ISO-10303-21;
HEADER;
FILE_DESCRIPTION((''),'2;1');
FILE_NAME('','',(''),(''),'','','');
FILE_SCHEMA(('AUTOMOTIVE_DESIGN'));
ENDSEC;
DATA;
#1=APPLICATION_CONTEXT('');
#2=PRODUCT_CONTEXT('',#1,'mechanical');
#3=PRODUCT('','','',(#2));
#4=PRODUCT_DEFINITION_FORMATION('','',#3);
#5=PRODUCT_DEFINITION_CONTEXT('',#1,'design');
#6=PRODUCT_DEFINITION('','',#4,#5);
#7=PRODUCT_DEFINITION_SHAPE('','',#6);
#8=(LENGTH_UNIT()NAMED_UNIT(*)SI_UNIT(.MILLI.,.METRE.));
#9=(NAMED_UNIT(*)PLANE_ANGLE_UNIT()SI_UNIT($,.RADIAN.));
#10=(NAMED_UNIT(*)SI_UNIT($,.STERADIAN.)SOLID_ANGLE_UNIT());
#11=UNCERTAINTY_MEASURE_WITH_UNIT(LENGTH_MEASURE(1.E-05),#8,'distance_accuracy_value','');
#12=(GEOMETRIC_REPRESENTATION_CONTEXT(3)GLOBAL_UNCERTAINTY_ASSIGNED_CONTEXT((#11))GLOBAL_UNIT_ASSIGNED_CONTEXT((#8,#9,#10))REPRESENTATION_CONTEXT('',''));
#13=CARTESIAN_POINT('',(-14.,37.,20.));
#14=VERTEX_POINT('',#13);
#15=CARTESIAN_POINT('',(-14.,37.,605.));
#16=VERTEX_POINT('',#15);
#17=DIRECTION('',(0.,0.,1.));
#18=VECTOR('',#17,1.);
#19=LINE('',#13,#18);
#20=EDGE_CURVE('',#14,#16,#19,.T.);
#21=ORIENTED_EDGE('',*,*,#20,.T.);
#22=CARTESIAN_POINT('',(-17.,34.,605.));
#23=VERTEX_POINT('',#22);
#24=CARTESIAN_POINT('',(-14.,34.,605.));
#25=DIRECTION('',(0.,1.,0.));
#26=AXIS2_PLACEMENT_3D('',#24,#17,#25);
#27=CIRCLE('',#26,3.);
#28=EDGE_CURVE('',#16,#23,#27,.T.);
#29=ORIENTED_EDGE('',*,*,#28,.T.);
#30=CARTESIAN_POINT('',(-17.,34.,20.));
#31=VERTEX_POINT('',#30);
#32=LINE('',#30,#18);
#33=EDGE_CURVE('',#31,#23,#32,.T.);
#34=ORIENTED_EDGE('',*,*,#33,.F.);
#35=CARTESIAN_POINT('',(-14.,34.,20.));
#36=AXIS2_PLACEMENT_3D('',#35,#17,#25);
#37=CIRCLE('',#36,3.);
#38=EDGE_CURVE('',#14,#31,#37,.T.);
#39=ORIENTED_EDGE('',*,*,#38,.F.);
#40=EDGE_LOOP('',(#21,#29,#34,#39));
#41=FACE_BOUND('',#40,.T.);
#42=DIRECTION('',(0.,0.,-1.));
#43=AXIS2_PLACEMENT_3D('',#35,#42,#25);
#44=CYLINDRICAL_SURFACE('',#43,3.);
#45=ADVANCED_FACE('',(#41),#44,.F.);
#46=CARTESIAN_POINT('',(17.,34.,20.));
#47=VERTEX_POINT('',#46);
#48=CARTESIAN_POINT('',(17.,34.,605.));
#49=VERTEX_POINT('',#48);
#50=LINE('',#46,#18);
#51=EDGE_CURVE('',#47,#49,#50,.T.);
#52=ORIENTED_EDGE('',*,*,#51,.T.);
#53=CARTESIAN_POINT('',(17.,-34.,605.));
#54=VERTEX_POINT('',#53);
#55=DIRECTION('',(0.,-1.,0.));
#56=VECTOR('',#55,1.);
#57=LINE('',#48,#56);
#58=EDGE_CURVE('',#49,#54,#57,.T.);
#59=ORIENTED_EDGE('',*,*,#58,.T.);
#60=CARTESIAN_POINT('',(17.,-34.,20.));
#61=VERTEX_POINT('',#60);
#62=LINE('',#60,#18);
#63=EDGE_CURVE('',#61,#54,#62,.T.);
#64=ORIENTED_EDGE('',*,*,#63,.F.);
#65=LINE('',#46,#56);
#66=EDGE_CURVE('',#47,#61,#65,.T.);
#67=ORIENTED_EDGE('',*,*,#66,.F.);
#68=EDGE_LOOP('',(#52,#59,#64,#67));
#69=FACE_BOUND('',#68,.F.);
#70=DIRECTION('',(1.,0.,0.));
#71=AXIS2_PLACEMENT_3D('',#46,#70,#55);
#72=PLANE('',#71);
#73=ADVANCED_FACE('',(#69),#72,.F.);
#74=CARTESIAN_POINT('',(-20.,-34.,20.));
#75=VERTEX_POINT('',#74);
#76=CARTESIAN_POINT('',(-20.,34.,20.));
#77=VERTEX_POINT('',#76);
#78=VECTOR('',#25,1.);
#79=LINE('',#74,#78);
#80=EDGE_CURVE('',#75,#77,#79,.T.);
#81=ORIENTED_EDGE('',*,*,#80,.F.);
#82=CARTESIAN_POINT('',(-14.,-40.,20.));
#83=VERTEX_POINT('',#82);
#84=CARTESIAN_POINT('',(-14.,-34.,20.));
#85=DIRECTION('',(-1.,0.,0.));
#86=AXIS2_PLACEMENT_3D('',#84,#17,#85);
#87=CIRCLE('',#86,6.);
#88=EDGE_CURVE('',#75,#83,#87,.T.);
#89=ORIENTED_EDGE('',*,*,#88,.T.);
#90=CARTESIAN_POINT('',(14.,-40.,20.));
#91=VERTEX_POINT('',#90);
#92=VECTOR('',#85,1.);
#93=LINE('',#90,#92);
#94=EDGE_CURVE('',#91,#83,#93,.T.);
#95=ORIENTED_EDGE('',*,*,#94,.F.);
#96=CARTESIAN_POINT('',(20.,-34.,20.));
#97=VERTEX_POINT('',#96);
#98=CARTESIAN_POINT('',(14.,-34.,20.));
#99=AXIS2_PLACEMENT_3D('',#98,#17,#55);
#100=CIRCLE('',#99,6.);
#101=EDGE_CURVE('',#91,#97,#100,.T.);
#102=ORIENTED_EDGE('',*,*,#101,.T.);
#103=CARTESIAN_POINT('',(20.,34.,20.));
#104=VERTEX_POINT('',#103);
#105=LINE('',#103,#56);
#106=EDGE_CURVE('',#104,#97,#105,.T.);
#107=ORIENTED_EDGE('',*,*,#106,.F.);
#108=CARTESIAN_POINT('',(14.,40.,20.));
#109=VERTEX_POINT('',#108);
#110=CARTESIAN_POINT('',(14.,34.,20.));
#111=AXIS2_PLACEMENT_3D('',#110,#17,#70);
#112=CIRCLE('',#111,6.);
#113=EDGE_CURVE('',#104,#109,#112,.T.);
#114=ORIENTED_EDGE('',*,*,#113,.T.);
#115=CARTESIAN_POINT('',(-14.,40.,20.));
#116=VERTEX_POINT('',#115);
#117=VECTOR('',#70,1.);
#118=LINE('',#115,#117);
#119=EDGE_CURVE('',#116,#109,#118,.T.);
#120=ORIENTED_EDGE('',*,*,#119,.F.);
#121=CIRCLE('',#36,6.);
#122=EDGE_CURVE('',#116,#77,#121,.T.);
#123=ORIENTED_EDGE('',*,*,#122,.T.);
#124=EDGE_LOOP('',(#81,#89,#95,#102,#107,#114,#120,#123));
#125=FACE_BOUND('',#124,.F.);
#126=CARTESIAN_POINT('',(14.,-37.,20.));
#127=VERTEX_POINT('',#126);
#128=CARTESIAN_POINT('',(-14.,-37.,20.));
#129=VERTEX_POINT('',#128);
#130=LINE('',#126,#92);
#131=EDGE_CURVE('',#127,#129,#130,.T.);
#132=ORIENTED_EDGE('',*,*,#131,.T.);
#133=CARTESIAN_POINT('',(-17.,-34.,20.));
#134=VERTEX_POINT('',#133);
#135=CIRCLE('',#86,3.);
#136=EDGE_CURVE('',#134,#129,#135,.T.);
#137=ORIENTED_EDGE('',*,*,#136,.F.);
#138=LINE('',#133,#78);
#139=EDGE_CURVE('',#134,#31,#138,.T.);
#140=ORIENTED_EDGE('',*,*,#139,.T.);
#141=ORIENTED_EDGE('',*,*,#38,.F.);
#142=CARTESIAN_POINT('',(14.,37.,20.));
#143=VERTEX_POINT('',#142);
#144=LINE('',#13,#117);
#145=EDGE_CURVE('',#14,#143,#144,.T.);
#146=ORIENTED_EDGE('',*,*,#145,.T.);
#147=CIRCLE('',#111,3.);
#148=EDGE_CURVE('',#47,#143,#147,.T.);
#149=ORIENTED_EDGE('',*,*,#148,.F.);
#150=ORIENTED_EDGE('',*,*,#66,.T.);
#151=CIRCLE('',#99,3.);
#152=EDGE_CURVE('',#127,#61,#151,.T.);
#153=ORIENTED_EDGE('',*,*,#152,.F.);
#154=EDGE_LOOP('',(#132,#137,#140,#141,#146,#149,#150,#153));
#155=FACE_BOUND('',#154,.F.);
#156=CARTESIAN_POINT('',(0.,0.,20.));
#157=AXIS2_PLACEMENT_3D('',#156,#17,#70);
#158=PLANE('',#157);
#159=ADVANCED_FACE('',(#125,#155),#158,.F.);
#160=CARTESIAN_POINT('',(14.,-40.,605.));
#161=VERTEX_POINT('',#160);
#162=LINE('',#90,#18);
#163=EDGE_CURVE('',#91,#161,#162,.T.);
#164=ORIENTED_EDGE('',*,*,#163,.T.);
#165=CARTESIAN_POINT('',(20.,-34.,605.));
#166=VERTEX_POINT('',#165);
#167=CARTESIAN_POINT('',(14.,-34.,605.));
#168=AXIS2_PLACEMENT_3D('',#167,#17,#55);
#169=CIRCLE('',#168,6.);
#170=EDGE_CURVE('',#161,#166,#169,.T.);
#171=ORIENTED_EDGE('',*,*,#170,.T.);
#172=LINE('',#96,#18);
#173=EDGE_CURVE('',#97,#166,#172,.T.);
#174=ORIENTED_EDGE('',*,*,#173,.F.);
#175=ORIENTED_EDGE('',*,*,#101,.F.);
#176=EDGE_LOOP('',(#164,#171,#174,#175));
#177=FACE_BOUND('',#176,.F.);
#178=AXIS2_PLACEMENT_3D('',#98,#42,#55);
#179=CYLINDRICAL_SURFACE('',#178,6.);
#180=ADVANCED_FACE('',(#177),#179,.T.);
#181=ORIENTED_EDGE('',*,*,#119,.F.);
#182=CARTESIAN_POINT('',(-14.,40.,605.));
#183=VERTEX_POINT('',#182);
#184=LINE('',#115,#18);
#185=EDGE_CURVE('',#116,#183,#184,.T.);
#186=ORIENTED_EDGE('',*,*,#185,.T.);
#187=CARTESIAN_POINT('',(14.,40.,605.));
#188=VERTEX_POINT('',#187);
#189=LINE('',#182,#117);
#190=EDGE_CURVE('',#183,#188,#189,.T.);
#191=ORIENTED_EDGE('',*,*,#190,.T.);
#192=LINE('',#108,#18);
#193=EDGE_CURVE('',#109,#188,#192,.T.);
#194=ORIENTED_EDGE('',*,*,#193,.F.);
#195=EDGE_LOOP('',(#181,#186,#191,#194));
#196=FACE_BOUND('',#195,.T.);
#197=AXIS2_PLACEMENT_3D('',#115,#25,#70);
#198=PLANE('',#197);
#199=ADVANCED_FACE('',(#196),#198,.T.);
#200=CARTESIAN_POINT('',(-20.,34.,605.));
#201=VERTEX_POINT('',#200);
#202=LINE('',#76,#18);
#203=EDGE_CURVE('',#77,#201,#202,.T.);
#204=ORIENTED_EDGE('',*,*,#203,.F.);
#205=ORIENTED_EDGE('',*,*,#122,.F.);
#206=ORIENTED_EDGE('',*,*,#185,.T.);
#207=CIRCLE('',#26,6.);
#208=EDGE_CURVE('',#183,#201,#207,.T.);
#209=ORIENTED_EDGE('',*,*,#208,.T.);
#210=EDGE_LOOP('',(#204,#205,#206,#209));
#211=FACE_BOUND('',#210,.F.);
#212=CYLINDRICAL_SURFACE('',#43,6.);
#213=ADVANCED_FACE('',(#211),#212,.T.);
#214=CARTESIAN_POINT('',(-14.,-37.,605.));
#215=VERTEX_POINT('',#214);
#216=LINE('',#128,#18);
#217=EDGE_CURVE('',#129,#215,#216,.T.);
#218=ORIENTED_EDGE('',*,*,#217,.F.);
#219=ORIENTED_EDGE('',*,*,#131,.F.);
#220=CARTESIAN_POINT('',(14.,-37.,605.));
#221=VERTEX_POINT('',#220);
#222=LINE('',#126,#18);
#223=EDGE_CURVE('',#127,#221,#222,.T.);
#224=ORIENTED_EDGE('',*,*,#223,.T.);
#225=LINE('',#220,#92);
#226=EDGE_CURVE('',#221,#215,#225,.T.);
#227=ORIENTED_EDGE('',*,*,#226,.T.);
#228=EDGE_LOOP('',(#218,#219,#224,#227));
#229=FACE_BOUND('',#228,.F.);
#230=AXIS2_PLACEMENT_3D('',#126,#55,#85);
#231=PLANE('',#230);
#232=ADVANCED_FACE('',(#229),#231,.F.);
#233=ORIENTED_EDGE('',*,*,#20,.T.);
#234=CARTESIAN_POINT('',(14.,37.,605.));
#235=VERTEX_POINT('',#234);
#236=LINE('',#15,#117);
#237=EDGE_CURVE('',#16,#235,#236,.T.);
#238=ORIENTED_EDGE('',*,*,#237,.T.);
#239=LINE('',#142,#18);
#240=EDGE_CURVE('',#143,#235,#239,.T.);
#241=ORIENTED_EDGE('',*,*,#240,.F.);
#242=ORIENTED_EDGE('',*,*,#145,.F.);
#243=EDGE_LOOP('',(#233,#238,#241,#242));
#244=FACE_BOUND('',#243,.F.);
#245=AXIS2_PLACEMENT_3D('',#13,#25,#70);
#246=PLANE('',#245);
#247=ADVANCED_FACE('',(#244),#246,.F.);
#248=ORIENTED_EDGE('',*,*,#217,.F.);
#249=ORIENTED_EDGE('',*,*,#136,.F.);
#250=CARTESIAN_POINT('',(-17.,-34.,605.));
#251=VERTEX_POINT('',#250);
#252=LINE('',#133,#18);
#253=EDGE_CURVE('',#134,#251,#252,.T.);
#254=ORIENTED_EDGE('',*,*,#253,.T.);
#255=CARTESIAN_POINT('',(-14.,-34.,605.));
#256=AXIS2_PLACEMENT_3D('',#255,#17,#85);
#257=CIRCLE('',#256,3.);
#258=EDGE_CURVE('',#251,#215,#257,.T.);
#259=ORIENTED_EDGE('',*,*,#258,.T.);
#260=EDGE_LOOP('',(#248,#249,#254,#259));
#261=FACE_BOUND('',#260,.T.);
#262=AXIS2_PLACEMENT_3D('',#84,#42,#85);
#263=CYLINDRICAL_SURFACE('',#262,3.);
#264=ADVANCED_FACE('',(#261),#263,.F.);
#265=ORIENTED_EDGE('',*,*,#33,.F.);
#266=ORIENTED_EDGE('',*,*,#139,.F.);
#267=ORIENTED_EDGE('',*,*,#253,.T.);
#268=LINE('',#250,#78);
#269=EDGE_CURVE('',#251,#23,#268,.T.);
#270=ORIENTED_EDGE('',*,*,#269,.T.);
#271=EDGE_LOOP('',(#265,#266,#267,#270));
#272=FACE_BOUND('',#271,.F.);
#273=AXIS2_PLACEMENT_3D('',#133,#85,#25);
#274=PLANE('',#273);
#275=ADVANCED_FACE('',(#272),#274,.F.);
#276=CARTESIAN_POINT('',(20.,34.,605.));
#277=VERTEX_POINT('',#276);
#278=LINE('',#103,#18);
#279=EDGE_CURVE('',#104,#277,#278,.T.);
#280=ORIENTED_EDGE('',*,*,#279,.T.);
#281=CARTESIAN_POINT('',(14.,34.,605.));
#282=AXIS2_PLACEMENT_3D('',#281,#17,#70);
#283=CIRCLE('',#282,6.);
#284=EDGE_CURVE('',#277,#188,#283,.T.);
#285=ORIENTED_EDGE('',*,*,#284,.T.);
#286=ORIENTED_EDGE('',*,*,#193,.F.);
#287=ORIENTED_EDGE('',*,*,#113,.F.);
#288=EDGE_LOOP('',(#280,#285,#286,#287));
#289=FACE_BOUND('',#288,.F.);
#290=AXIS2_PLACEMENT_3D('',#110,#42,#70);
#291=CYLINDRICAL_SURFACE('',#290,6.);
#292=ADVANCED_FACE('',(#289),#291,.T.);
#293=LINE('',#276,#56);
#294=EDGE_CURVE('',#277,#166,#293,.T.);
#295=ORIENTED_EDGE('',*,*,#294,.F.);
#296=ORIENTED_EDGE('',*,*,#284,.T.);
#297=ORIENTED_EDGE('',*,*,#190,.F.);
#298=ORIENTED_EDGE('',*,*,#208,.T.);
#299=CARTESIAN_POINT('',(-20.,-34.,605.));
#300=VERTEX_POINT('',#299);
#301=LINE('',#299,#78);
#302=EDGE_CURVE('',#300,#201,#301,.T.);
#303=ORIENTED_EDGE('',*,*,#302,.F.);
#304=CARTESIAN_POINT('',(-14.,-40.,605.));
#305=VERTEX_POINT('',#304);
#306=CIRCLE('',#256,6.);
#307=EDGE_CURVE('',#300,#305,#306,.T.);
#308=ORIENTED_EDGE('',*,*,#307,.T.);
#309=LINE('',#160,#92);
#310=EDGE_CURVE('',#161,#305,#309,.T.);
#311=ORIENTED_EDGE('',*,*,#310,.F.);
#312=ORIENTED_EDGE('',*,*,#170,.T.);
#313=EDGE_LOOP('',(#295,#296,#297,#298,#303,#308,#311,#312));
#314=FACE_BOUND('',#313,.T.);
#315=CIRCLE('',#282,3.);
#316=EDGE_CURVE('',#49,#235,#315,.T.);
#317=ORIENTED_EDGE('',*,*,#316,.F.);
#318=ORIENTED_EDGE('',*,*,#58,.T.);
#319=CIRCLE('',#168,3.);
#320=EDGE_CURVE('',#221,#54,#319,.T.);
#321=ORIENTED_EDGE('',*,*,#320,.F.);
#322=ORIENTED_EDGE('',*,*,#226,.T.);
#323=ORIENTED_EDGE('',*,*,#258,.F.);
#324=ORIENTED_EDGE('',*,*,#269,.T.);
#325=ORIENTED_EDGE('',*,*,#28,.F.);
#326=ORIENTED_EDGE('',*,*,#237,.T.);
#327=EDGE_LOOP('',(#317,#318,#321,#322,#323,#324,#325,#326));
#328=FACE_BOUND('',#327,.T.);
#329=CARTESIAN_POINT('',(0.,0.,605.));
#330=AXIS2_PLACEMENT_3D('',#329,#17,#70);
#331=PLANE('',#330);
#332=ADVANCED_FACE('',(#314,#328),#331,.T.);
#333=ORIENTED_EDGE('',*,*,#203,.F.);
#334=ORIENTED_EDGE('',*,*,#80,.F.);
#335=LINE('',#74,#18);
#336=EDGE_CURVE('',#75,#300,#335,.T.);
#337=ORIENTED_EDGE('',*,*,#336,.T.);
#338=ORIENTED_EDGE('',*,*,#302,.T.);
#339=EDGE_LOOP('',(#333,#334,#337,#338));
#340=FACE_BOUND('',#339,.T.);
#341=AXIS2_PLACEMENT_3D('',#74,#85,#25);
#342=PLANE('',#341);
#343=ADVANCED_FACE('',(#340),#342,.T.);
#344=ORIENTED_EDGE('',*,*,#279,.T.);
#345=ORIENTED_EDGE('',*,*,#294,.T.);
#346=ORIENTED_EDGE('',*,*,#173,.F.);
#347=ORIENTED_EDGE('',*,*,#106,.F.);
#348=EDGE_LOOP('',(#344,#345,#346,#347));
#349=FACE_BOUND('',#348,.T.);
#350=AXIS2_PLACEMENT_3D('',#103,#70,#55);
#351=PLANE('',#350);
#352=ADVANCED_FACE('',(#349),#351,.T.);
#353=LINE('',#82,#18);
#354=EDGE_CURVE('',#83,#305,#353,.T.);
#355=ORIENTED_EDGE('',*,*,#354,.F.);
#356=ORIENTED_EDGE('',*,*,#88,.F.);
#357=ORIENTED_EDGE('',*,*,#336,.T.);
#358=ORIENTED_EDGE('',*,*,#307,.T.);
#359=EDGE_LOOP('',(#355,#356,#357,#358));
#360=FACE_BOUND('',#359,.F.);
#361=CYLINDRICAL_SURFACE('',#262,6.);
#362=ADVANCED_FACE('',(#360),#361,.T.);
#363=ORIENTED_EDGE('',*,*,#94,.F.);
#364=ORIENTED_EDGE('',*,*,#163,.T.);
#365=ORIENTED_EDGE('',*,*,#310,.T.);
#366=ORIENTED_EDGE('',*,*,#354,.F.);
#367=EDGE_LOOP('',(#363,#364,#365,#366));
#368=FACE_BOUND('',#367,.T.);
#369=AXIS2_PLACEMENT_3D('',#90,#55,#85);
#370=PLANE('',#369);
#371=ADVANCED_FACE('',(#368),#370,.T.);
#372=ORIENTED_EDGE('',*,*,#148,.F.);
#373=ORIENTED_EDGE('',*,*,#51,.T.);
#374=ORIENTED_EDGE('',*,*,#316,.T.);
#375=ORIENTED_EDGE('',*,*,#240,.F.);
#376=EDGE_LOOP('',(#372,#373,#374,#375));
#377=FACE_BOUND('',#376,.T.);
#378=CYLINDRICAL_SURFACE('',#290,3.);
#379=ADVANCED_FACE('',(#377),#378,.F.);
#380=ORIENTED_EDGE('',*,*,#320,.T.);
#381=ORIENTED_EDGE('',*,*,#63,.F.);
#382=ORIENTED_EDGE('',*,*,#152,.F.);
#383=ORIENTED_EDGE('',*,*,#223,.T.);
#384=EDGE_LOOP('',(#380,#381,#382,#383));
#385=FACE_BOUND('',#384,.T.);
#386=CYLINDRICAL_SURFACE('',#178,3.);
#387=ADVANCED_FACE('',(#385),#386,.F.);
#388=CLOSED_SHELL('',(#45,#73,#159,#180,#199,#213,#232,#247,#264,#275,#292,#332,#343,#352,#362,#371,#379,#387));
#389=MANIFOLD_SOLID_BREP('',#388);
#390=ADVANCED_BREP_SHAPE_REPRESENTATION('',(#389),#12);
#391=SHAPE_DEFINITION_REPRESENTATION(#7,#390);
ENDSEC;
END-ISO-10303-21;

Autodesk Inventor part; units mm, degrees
ref_plane "YZ Plane" through (0, 0, 0) normal (1, 0, 0) x (0, 1, 0)
ref_plane "Start Plane" through (0, 0, 20) normal (0, 0, 1) x (1, 0, 0)
ref_plane "End Plane" through (0, 0, 605) normal (0, 0, 1) x (1, 0, 0)
sketch "Sketch" plane through (0, 0, 0) normal (0, 0, 1) x (1, 0, 0)
  line L0 (-20, -34) -> (-20, 34)
  line L1 (-14, 40) -> (14, 40)
  line L2 (20, 34) -> (20, -34)
  line L3 (14, -40) -> (-14, -40)
  arc A0 (-20, -34) -> (-14, -40) centre (-14, -34) ccw
  arc A1 (20, 34) -> (14, 40) centre (14, 34) ccw
  arc A2 (-14, 40) -> (-20, 34) centre (-14, 34) ccw
  arc A3 (14, -40) -> (20, -34) centre (14, -34) ccw
  arc A4 (-14, 37) -> (-17, 34) centre (-14, 34) ccw
  line L4 (-14, 37) -> (14, 37)
  arc A5 (17, 34) -> (14, 37) centre (14, 34) ccw
  line L5 (17, 34) -> (17, -34)
  arc A6 (14, -37) -> (17, -34) centre (14, -34) ccw
  line L6 (14, -37) -> (-14, -37)
  arc A7 (-17, -34) -> (-14, -37) centre (-14, -34) ccw
  line L7 (-17, -34) -> (-17, 34)
  line L8 (0, 57.7397) -> (0, -57.7397) construction
  line L9 (-29.7397, 0) -> (29.7397, 0) construction
  dimension "d7" = 6
  dimension "d9" = 40
  dimension "d11" = 80
  dimension "d12" = 3
  dimension "d15" = 20
  dimension "d16" = 40
extrude "Body" add sketch "Sketch" along normal up to surface (585 mm away) from surface at 20
sketch "Sketch3" plane through (0, 0, 0) normal (0, 0, 1) x (1, 0, 0)
  line L0 (0, 0) -> (10, 0)
ref_plane "Work Plane3" through (0, 0, 0) normal (0, -1, 0) x (1, 0, 0)
sketch "Sketch4" plane through (0, 0, 0) normal (0, -1, 0) x (1, 0, 0)
  line L0 (-2, 20) -> (12, 20) projected
  line L1 (-2, 605) -> (12, 605) projected
  dimension "d18" = 585
equation "\"d7\" = G_IR"
equation "\"d9\" = G_W"
equation "\"d11\" = G_H"
equation "\"d12\" = G_T"
equation "\"d15\" = 0.5 * d9"
equation "\"d16\" = 0.5 * d11"
equation "\"d3\" = G_L"
equation "\"G_W\" = 40"
equation "\"G_H\" = 80"
equation "\"G_T\" = 3"
equation "\"G_IR\" = 6"
equation "\"G_L\" = d18"
equation "\"d14\" = G_OFFSET_END + B_L"
equation "\"B_L\" = 625"
equation "\"G_OFFSET_END\" = -20"
properties part number "ISO 10799-2 - 80x40x3 - 585" material "Steel, Mild"
